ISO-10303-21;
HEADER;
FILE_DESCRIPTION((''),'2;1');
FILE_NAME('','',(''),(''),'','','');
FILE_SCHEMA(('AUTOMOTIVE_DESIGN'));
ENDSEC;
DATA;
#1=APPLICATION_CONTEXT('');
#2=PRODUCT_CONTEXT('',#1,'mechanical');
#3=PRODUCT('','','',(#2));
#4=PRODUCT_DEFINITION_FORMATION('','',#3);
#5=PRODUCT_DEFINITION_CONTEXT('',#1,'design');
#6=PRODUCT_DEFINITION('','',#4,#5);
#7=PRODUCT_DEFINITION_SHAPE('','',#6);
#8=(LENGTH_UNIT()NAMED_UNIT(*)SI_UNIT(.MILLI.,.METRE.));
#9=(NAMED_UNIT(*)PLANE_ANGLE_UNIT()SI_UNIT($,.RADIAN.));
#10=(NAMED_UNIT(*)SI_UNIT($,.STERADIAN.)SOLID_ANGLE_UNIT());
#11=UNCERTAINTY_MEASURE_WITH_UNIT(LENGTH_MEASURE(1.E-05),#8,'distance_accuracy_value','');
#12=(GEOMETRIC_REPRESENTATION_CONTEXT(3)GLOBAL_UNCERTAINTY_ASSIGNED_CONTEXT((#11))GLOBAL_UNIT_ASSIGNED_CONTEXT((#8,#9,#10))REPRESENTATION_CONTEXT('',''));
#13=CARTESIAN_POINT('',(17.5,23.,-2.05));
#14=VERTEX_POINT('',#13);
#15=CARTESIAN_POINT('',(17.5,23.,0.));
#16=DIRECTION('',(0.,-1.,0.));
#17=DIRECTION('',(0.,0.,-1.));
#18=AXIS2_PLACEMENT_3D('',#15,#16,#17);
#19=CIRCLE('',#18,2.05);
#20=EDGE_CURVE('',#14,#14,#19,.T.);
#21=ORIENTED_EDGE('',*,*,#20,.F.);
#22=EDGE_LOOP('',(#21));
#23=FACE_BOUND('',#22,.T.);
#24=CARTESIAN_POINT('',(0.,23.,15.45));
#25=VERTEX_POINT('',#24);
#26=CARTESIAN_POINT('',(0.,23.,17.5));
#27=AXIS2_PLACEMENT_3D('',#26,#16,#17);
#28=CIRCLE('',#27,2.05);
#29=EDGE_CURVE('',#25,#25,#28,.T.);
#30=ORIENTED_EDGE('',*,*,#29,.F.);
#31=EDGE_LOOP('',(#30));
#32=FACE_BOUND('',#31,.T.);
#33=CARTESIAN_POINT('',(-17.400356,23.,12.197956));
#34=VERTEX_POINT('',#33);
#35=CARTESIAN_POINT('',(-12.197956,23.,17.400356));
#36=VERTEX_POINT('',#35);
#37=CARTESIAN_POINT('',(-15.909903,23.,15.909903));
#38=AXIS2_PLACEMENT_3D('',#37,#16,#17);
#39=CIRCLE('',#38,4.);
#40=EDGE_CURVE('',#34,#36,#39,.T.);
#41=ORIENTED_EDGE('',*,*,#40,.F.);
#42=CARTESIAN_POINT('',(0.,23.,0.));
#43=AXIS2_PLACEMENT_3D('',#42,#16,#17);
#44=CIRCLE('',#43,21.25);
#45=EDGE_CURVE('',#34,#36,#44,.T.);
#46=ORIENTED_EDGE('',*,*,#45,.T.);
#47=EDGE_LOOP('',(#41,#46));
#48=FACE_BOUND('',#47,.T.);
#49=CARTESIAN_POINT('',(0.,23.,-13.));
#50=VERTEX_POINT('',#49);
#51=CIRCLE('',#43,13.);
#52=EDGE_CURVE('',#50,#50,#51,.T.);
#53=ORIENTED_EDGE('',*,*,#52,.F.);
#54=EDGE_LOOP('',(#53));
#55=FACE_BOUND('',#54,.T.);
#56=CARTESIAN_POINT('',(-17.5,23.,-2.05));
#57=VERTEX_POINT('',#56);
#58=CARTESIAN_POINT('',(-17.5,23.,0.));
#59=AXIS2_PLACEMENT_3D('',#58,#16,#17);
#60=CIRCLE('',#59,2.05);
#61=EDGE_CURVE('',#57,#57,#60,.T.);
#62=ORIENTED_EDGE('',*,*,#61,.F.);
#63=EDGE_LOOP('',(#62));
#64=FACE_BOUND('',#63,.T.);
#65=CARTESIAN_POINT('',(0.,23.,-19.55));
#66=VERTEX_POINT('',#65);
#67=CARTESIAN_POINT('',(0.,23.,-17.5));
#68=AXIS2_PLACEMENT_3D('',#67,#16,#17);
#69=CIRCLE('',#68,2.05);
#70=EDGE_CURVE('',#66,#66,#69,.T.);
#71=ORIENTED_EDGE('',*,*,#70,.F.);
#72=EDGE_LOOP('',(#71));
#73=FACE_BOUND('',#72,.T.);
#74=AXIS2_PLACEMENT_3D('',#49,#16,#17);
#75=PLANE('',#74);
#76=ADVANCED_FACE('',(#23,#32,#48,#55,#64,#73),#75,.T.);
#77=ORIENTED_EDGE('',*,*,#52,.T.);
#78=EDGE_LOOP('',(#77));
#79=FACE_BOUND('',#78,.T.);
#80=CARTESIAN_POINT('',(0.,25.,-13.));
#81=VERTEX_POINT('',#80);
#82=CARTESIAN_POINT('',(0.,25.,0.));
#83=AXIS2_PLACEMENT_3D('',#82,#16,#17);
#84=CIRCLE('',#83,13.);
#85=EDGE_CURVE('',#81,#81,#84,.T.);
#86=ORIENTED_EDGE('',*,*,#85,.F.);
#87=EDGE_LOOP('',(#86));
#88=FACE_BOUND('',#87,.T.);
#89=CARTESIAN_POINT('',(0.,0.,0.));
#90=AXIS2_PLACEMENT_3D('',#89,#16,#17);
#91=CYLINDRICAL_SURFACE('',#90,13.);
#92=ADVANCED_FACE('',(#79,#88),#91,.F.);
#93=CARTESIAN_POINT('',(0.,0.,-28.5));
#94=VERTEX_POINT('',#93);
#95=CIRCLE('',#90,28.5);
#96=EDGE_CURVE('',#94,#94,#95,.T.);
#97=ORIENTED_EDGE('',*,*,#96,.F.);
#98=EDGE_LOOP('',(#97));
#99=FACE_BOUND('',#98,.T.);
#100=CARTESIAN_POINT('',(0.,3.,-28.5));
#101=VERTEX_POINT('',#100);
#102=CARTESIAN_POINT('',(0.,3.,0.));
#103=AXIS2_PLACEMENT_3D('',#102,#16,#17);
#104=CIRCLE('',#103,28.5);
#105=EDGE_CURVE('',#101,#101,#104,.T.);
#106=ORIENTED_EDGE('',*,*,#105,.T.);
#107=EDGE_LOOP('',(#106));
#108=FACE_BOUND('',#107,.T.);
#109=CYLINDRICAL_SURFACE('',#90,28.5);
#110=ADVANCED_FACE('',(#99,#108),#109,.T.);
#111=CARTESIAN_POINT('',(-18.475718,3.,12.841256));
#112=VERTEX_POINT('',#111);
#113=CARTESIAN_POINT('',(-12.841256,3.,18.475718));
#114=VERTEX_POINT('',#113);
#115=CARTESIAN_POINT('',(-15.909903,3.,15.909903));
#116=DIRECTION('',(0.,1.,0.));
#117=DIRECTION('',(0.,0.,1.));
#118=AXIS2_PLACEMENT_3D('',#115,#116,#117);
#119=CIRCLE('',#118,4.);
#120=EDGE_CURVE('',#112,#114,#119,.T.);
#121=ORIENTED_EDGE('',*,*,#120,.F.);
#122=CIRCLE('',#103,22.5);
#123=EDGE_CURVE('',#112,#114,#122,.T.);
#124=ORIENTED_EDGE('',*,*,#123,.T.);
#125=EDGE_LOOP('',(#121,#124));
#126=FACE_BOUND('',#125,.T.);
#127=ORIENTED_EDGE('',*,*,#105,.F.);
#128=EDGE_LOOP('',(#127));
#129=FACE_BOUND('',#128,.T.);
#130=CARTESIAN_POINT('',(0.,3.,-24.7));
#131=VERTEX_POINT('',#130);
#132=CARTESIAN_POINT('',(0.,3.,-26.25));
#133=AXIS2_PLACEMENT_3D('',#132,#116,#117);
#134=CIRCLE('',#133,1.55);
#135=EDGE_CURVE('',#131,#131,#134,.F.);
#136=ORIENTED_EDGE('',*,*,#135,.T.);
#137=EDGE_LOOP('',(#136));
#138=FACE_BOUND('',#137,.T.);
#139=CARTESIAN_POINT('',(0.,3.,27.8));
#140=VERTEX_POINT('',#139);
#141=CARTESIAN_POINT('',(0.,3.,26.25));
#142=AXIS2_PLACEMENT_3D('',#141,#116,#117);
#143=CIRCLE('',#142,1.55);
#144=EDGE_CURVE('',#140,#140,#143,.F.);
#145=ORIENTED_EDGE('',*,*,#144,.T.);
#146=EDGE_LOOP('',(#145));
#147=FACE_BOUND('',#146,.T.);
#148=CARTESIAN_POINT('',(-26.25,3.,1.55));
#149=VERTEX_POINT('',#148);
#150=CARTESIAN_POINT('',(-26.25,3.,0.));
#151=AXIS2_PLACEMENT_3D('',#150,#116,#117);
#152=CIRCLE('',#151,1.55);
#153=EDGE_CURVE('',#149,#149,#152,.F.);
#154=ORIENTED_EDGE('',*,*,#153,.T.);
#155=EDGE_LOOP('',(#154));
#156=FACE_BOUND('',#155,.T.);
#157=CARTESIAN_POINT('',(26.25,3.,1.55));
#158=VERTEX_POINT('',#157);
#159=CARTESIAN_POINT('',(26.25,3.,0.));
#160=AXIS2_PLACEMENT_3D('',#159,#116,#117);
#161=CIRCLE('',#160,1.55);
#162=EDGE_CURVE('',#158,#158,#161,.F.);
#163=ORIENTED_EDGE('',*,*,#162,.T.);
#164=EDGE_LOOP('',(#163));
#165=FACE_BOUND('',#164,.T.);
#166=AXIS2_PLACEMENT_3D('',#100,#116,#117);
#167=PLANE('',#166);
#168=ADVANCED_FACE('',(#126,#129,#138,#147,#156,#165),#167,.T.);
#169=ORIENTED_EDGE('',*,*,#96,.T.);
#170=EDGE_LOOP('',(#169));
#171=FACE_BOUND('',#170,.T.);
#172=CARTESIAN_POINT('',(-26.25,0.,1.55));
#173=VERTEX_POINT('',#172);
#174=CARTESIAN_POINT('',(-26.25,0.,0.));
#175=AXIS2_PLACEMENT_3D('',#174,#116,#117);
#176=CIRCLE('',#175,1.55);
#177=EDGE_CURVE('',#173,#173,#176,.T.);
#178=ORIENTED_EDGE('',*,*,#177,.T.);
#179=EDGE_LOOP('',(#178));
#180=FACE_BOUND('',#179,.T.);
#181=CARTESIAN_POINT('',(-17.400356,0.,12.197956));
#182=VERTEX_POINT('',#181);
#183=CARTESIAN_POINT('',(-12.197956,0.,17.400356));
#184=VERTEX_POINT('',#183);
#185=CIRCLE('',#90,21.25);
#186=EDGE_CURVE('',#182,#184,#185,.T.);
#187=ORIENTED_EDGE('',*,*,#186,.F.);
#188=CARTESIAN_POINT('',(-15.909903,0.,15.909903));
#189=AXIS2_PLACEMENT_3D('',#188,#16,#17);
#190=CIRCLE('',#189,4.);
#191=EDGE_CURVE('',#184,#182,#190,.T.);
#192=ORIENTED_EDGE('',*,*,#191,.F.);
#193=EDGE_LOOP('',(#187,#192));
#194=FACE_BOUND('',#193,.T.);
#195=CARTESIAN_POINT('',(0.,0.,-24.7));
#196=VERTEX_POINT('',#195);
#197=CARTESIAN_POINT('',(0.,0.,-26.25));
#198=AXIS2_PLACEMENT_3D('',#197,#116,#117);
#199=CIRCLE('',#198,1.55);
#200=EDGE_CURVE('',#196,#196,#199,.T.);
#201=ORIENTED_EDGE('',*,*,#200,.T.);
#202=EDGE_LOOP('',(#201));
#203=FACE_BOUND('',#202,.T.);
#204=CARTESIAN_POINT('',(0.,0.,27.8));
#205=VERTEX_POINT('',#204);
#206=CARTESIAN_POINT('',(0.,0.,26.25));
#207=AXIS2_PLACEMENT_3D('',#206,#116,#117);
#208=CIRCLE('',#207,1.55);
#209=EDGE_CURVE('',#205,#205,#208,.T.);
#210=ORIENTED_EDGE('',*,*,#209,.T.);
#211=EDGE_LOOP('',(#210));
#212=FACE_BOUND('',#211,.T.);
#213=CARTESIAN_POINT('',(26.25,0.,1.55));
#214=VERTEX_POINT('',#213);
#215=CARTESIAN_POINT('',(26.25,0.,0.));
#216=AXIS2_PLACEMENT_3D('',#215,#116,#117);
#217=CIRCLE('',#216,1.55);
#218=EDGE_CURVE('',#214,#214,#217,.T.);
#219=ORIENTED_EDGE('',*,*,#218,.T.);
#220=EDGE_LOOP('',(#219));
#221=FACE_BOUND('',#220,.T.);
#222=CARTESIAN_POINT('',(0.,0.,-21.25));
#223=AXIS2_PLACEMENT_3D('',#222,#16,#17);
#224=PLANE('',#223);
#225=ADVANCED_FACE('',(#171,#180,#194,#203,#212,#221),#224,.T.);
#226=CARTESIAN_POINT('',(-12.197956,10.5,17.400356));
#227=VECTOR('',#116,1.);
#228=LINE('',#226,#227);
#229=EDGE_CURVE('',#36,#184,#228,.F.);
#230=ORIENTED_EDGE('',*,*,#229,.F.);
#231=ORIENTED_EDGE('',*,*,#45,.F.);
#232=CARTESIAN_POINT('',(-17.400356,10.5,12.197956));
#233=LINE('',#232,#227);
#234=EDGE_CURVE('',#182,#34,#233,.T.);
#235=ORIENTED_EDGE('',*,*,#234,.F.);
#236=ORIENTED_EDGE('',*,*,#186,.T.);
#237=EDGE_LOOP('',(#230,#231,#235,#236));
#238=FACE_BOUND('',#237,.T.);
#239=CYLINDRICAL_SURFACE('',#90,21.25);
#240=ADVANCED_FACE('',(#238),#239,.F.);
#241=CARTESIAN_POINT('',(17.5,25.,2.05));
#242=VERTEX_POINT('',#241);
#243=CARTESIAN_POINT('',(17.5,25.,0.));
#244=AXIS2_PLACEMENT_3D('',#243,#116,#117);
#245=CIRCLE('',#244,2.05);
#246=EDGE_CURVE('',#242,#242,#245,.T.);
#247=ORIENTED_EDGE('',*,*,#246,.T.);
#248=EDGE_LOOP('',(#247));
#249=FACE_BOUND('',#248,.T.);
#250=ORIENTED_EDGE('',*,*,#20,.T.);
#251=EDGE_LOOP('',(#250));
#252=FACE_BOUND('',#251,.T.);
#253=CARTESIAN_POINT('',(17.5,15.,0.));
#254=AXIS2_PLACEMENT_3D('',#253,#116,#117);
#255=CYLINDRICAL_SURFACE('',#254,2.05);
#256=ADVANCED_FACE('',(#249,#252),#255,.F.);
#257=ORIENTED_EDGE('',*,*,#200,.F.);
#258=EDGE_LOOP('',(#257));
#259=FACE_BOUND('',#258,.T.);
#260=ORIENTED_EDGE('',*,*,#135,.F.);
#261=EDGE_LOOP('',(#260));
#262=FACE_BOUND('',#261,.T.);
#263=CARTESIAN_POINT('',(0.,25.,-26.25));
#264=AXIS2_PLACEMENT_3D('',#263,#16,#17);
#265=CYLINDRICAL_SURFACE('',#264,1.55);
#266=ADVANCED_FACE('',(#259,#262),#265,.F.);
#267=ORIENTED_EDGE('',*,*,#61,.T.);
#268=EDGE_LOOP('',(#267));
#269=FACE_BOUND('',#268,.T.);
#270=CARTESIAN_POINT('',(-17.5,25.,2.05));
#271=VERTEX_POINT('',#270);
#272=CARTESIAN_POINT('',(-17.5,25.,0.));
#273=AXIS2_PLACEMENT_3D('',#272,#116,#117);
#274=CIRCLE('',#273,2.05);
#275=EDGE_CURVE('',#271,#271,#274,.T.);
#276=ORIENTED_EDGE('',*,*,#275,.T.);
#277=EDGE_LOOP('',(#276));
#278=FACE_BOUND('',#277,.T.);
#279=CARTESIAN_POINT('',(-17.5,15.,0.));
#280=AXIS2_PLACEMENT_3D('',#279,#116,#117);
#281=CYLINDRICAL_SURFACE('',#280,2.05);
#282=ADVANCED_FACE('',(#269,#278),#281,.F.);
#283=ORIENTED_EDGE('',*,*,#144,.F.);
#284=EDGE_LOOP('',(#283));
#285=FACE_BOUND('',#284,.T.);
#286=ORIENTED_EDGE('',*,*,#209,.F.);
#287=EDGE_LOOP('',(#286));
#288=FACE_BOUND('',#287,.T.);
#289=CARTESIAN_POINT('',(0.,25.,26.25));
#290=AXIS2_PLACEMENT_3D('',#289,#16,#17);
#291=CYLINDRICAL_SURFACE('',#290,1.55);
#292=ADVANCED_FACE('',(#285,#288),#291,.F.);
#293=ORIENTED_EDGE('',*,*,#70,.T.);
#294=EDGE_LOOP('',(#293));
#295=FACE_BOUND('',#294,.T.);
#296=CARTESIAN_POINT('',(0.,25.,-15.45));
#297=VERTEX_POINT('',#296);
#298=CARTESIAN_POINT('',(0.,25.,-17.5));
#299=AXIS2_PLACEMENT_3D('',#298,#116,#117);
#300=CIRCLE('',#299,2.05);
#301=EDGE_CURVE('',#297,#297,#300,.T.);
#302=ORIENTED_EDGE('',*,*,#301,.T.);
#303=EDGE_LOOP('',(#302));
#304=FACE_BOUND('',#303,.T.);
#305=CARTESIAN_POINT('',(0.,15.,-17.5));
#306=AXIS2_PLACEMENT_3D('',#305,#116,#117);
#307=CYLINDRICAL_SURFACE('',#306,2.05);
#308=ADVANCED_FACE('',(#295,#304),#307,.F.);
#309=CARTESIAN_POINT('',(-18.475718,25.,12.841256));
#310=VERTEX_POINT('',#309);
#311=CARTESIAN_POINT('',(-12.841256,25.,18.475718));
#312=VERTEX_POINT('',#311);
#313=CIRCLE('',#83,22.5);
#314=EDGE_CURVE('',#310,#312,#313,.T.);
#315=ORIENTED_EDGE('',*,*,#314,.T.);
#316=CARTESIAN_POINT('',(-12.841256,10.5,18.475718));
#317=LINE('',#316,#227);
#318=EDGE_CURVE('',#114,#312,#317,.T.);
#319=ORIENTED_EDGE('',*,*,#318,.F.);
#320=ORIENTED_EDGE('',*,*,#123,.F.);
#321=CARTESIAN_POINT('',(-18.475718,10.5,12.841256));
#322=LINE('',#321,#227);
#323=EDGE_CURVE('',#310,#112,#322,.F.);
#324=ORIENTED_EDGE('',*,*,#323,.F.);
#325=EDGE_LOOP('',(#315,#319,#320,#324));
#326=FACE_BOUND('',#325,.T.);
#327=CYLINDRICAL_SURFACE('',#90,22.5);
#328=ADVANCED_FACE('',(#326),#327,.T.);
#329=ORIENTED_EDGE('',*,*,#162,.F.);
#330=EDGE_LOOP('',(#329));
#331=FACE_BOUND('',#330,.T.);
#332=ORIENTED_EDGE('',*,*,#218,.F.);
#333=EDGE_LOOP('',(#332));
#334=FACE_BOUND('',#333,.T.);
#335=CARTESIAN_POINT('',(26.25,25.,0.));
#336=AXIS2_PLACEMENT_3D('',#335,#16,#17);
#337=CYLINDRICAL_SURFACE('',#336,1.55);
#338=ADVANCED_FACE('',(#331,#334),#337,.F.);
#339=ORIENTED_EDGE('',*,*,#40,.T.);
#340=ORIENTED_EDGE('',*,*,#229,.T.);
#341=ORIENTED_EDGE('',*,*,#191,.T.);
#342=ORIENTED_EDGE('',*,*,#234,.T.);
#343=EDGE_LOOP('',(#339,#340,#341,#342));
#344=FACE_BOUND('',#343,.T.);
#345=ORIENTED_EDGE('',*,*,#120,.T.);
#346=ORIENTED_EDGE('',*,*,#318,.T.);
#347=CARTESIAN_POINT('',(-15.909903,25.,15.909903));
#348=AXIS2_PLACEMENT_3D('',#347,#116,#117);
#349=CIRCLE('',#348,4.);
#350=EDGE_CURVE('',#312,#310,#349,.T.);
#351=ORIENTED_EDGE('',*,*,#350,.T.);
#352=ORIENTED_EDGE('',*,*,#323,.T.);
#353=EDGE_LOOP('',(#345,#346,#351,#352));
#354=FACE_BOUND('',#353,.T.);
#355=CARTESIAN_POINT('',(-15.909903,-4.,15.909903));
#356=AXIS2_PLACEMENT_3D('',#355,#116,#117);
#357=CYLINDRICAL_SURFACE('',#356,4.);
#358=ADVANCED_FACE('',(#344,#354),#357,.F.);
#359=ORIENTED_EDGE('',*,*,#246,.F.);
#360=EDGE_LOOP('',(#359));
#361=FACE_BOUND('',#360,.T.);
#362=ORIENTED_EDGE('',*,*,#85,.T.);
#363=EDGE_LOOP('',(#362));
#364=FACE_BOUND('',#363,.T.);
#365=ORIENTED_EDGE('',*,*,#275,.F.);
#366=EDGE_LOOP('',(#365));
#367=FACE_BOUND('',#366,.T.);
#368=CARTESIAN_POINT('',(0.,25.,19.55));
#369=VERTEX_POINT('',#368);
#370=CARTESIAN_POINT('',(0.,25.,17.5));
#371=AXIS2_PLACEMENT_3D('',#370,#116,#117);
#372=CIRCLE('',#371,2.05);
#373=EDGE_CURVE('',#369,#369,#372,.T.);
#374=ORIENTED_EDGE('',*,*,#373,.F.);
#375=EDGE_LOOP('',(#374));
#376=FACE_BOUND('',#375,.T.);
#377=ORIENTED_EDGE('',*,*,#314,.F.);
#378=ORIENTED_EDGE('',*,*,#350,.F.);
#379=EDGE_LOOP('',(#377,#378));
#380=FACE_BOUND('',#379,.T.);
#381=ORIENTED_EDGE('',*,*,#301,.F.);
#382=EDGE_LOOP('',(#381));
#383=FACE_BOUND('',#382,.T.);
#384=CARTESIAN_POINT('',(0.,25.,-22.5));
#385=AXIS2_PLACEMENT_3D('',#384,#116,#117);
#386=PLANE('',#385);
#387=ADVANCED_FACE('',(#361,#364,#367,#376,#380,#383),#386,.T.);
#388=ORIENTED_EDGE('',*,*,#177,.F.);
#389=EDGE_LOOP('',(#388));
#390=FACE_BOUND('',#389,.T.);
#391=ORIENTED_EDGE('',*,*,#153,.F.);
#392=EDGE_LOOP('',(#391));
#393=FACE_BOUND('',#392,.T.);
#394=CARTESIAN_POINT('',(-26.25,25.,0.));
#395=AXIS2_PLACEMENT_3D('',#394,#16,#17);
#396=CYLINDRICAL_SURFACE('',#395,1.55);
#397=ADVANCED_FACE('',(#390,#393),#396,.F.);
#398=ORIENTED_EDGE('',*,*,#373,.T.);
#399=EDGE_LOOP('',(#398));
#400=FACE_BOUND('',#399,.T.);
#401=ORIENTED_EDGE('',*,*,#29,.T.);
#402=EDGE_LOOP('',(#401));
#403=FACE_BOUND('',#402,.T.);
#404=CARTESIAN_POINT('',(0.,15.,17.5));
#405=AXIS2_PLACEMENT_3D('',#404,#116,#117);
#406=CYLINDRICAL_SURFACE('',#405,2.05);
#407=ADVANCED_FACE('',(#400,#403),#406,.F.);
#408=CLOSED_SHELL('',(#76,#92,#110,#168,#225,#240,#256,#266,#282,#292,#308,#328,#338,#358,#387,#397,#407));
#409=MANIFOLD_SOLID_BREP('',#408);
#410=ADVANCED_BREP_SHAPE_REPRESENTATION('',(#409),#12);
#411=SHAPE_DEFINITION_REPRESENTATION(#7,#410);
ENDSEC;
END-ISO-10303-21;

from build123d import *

# Parameters (mm, degrees)
SKETCH_2_R          = 2.05
CUT_EXTRUDE_1_DEPTH = 10
SKETCH_3_R          = 1.55
CUT_EXTRUDE_3_DEPTH = 48.428894147
SKETCH_20_R         = 4
CUT_EXTRUDE_4_DEPTH = 29


with BuildPart() as part:
    # 草图1 → 旋转1 (revolve)
    with BuildSketch(Plane(origin=(0, 0, 0), x_dir=(0, 0, -1), z_dir=(1, 0, 0))):
        Polygon((13, 25), (13, 23), (21.25, 23), (21.25, 0), (28.5, 0), (28.5, 3), (22.5, 3), (22.5, 25), align=None)
    revolve(axis=Axis((0, 0, 0), (0, 1, 0)))

    # 草图2 → 切除-拉伸1 (cut)
    with BuildSketch(Plane(origin=(0, 25, 0), x_dir=(1, 0, 0), z_dir=(0, 1, 0))):
        with Locations(Location((0, 17.5, 0), (0, 0, 270))):
            Circle(SKETCH_2_R)
        with Locations(Location((17.5, 0, 0), (0, 0, 270))):
            Circle(SKETCH_2_R)
        with Locations(Location((0, -17.5, 0), (0, 0, 270))):
            Circle(SKETCH_2_R)
        with Locations(Location((-17.5, 0, 0), (0, 0, 270))):
            Circle(SKETCH_2_R)
    extrude(amount=-CUT_EXTRUDE_1_DEPTH, mode=Mode.SUBTRACT)

    # 草图3 → 切除-拉伸3 (cut, through all)
    with BuildSketch(Plane(origin=(0, 0, 0), x_dir=(1, 0, 0), z_dir=(0, 1, 0))):
        with Locations(Location((0, -26.25, 0), (0, 0, 270))):
            Circle(SKETCH_3_R)
        with Locations(Location((-26.25, 0, 0), (0, 0, 270))):
            Circle(SKETCH_3_R)
        with Locations(Location((0, 26.25, 0), (0, 0, 270))):
            Circle(SKETCH_3_R)
        with Locations(Location((26.25, 0, 0), (0, 0, 270))):
            Circle(SKETCH_3_R)
    extrude(amount=CUT_EXTRUDE_3_DEPTH, mode=Mode.SUBTRACT)

    # 草图20 → 切除-拉伸4 (cut)
    with BuildSketch(Plane(origin=(0, 25, 0), x_dir=(1, 0, 0), z_dir=(0, 1, 0))):
        with Locations(Location((-15.909902577, -15.909902577, 0), (0, 0, 320.099688914))):
            Circle(SKETCH_20_R)
    extrude(amount=-CUT_EXTRUDE_4_DEPTH, mode=Mode.SUBTRACT)


solid = part.part
